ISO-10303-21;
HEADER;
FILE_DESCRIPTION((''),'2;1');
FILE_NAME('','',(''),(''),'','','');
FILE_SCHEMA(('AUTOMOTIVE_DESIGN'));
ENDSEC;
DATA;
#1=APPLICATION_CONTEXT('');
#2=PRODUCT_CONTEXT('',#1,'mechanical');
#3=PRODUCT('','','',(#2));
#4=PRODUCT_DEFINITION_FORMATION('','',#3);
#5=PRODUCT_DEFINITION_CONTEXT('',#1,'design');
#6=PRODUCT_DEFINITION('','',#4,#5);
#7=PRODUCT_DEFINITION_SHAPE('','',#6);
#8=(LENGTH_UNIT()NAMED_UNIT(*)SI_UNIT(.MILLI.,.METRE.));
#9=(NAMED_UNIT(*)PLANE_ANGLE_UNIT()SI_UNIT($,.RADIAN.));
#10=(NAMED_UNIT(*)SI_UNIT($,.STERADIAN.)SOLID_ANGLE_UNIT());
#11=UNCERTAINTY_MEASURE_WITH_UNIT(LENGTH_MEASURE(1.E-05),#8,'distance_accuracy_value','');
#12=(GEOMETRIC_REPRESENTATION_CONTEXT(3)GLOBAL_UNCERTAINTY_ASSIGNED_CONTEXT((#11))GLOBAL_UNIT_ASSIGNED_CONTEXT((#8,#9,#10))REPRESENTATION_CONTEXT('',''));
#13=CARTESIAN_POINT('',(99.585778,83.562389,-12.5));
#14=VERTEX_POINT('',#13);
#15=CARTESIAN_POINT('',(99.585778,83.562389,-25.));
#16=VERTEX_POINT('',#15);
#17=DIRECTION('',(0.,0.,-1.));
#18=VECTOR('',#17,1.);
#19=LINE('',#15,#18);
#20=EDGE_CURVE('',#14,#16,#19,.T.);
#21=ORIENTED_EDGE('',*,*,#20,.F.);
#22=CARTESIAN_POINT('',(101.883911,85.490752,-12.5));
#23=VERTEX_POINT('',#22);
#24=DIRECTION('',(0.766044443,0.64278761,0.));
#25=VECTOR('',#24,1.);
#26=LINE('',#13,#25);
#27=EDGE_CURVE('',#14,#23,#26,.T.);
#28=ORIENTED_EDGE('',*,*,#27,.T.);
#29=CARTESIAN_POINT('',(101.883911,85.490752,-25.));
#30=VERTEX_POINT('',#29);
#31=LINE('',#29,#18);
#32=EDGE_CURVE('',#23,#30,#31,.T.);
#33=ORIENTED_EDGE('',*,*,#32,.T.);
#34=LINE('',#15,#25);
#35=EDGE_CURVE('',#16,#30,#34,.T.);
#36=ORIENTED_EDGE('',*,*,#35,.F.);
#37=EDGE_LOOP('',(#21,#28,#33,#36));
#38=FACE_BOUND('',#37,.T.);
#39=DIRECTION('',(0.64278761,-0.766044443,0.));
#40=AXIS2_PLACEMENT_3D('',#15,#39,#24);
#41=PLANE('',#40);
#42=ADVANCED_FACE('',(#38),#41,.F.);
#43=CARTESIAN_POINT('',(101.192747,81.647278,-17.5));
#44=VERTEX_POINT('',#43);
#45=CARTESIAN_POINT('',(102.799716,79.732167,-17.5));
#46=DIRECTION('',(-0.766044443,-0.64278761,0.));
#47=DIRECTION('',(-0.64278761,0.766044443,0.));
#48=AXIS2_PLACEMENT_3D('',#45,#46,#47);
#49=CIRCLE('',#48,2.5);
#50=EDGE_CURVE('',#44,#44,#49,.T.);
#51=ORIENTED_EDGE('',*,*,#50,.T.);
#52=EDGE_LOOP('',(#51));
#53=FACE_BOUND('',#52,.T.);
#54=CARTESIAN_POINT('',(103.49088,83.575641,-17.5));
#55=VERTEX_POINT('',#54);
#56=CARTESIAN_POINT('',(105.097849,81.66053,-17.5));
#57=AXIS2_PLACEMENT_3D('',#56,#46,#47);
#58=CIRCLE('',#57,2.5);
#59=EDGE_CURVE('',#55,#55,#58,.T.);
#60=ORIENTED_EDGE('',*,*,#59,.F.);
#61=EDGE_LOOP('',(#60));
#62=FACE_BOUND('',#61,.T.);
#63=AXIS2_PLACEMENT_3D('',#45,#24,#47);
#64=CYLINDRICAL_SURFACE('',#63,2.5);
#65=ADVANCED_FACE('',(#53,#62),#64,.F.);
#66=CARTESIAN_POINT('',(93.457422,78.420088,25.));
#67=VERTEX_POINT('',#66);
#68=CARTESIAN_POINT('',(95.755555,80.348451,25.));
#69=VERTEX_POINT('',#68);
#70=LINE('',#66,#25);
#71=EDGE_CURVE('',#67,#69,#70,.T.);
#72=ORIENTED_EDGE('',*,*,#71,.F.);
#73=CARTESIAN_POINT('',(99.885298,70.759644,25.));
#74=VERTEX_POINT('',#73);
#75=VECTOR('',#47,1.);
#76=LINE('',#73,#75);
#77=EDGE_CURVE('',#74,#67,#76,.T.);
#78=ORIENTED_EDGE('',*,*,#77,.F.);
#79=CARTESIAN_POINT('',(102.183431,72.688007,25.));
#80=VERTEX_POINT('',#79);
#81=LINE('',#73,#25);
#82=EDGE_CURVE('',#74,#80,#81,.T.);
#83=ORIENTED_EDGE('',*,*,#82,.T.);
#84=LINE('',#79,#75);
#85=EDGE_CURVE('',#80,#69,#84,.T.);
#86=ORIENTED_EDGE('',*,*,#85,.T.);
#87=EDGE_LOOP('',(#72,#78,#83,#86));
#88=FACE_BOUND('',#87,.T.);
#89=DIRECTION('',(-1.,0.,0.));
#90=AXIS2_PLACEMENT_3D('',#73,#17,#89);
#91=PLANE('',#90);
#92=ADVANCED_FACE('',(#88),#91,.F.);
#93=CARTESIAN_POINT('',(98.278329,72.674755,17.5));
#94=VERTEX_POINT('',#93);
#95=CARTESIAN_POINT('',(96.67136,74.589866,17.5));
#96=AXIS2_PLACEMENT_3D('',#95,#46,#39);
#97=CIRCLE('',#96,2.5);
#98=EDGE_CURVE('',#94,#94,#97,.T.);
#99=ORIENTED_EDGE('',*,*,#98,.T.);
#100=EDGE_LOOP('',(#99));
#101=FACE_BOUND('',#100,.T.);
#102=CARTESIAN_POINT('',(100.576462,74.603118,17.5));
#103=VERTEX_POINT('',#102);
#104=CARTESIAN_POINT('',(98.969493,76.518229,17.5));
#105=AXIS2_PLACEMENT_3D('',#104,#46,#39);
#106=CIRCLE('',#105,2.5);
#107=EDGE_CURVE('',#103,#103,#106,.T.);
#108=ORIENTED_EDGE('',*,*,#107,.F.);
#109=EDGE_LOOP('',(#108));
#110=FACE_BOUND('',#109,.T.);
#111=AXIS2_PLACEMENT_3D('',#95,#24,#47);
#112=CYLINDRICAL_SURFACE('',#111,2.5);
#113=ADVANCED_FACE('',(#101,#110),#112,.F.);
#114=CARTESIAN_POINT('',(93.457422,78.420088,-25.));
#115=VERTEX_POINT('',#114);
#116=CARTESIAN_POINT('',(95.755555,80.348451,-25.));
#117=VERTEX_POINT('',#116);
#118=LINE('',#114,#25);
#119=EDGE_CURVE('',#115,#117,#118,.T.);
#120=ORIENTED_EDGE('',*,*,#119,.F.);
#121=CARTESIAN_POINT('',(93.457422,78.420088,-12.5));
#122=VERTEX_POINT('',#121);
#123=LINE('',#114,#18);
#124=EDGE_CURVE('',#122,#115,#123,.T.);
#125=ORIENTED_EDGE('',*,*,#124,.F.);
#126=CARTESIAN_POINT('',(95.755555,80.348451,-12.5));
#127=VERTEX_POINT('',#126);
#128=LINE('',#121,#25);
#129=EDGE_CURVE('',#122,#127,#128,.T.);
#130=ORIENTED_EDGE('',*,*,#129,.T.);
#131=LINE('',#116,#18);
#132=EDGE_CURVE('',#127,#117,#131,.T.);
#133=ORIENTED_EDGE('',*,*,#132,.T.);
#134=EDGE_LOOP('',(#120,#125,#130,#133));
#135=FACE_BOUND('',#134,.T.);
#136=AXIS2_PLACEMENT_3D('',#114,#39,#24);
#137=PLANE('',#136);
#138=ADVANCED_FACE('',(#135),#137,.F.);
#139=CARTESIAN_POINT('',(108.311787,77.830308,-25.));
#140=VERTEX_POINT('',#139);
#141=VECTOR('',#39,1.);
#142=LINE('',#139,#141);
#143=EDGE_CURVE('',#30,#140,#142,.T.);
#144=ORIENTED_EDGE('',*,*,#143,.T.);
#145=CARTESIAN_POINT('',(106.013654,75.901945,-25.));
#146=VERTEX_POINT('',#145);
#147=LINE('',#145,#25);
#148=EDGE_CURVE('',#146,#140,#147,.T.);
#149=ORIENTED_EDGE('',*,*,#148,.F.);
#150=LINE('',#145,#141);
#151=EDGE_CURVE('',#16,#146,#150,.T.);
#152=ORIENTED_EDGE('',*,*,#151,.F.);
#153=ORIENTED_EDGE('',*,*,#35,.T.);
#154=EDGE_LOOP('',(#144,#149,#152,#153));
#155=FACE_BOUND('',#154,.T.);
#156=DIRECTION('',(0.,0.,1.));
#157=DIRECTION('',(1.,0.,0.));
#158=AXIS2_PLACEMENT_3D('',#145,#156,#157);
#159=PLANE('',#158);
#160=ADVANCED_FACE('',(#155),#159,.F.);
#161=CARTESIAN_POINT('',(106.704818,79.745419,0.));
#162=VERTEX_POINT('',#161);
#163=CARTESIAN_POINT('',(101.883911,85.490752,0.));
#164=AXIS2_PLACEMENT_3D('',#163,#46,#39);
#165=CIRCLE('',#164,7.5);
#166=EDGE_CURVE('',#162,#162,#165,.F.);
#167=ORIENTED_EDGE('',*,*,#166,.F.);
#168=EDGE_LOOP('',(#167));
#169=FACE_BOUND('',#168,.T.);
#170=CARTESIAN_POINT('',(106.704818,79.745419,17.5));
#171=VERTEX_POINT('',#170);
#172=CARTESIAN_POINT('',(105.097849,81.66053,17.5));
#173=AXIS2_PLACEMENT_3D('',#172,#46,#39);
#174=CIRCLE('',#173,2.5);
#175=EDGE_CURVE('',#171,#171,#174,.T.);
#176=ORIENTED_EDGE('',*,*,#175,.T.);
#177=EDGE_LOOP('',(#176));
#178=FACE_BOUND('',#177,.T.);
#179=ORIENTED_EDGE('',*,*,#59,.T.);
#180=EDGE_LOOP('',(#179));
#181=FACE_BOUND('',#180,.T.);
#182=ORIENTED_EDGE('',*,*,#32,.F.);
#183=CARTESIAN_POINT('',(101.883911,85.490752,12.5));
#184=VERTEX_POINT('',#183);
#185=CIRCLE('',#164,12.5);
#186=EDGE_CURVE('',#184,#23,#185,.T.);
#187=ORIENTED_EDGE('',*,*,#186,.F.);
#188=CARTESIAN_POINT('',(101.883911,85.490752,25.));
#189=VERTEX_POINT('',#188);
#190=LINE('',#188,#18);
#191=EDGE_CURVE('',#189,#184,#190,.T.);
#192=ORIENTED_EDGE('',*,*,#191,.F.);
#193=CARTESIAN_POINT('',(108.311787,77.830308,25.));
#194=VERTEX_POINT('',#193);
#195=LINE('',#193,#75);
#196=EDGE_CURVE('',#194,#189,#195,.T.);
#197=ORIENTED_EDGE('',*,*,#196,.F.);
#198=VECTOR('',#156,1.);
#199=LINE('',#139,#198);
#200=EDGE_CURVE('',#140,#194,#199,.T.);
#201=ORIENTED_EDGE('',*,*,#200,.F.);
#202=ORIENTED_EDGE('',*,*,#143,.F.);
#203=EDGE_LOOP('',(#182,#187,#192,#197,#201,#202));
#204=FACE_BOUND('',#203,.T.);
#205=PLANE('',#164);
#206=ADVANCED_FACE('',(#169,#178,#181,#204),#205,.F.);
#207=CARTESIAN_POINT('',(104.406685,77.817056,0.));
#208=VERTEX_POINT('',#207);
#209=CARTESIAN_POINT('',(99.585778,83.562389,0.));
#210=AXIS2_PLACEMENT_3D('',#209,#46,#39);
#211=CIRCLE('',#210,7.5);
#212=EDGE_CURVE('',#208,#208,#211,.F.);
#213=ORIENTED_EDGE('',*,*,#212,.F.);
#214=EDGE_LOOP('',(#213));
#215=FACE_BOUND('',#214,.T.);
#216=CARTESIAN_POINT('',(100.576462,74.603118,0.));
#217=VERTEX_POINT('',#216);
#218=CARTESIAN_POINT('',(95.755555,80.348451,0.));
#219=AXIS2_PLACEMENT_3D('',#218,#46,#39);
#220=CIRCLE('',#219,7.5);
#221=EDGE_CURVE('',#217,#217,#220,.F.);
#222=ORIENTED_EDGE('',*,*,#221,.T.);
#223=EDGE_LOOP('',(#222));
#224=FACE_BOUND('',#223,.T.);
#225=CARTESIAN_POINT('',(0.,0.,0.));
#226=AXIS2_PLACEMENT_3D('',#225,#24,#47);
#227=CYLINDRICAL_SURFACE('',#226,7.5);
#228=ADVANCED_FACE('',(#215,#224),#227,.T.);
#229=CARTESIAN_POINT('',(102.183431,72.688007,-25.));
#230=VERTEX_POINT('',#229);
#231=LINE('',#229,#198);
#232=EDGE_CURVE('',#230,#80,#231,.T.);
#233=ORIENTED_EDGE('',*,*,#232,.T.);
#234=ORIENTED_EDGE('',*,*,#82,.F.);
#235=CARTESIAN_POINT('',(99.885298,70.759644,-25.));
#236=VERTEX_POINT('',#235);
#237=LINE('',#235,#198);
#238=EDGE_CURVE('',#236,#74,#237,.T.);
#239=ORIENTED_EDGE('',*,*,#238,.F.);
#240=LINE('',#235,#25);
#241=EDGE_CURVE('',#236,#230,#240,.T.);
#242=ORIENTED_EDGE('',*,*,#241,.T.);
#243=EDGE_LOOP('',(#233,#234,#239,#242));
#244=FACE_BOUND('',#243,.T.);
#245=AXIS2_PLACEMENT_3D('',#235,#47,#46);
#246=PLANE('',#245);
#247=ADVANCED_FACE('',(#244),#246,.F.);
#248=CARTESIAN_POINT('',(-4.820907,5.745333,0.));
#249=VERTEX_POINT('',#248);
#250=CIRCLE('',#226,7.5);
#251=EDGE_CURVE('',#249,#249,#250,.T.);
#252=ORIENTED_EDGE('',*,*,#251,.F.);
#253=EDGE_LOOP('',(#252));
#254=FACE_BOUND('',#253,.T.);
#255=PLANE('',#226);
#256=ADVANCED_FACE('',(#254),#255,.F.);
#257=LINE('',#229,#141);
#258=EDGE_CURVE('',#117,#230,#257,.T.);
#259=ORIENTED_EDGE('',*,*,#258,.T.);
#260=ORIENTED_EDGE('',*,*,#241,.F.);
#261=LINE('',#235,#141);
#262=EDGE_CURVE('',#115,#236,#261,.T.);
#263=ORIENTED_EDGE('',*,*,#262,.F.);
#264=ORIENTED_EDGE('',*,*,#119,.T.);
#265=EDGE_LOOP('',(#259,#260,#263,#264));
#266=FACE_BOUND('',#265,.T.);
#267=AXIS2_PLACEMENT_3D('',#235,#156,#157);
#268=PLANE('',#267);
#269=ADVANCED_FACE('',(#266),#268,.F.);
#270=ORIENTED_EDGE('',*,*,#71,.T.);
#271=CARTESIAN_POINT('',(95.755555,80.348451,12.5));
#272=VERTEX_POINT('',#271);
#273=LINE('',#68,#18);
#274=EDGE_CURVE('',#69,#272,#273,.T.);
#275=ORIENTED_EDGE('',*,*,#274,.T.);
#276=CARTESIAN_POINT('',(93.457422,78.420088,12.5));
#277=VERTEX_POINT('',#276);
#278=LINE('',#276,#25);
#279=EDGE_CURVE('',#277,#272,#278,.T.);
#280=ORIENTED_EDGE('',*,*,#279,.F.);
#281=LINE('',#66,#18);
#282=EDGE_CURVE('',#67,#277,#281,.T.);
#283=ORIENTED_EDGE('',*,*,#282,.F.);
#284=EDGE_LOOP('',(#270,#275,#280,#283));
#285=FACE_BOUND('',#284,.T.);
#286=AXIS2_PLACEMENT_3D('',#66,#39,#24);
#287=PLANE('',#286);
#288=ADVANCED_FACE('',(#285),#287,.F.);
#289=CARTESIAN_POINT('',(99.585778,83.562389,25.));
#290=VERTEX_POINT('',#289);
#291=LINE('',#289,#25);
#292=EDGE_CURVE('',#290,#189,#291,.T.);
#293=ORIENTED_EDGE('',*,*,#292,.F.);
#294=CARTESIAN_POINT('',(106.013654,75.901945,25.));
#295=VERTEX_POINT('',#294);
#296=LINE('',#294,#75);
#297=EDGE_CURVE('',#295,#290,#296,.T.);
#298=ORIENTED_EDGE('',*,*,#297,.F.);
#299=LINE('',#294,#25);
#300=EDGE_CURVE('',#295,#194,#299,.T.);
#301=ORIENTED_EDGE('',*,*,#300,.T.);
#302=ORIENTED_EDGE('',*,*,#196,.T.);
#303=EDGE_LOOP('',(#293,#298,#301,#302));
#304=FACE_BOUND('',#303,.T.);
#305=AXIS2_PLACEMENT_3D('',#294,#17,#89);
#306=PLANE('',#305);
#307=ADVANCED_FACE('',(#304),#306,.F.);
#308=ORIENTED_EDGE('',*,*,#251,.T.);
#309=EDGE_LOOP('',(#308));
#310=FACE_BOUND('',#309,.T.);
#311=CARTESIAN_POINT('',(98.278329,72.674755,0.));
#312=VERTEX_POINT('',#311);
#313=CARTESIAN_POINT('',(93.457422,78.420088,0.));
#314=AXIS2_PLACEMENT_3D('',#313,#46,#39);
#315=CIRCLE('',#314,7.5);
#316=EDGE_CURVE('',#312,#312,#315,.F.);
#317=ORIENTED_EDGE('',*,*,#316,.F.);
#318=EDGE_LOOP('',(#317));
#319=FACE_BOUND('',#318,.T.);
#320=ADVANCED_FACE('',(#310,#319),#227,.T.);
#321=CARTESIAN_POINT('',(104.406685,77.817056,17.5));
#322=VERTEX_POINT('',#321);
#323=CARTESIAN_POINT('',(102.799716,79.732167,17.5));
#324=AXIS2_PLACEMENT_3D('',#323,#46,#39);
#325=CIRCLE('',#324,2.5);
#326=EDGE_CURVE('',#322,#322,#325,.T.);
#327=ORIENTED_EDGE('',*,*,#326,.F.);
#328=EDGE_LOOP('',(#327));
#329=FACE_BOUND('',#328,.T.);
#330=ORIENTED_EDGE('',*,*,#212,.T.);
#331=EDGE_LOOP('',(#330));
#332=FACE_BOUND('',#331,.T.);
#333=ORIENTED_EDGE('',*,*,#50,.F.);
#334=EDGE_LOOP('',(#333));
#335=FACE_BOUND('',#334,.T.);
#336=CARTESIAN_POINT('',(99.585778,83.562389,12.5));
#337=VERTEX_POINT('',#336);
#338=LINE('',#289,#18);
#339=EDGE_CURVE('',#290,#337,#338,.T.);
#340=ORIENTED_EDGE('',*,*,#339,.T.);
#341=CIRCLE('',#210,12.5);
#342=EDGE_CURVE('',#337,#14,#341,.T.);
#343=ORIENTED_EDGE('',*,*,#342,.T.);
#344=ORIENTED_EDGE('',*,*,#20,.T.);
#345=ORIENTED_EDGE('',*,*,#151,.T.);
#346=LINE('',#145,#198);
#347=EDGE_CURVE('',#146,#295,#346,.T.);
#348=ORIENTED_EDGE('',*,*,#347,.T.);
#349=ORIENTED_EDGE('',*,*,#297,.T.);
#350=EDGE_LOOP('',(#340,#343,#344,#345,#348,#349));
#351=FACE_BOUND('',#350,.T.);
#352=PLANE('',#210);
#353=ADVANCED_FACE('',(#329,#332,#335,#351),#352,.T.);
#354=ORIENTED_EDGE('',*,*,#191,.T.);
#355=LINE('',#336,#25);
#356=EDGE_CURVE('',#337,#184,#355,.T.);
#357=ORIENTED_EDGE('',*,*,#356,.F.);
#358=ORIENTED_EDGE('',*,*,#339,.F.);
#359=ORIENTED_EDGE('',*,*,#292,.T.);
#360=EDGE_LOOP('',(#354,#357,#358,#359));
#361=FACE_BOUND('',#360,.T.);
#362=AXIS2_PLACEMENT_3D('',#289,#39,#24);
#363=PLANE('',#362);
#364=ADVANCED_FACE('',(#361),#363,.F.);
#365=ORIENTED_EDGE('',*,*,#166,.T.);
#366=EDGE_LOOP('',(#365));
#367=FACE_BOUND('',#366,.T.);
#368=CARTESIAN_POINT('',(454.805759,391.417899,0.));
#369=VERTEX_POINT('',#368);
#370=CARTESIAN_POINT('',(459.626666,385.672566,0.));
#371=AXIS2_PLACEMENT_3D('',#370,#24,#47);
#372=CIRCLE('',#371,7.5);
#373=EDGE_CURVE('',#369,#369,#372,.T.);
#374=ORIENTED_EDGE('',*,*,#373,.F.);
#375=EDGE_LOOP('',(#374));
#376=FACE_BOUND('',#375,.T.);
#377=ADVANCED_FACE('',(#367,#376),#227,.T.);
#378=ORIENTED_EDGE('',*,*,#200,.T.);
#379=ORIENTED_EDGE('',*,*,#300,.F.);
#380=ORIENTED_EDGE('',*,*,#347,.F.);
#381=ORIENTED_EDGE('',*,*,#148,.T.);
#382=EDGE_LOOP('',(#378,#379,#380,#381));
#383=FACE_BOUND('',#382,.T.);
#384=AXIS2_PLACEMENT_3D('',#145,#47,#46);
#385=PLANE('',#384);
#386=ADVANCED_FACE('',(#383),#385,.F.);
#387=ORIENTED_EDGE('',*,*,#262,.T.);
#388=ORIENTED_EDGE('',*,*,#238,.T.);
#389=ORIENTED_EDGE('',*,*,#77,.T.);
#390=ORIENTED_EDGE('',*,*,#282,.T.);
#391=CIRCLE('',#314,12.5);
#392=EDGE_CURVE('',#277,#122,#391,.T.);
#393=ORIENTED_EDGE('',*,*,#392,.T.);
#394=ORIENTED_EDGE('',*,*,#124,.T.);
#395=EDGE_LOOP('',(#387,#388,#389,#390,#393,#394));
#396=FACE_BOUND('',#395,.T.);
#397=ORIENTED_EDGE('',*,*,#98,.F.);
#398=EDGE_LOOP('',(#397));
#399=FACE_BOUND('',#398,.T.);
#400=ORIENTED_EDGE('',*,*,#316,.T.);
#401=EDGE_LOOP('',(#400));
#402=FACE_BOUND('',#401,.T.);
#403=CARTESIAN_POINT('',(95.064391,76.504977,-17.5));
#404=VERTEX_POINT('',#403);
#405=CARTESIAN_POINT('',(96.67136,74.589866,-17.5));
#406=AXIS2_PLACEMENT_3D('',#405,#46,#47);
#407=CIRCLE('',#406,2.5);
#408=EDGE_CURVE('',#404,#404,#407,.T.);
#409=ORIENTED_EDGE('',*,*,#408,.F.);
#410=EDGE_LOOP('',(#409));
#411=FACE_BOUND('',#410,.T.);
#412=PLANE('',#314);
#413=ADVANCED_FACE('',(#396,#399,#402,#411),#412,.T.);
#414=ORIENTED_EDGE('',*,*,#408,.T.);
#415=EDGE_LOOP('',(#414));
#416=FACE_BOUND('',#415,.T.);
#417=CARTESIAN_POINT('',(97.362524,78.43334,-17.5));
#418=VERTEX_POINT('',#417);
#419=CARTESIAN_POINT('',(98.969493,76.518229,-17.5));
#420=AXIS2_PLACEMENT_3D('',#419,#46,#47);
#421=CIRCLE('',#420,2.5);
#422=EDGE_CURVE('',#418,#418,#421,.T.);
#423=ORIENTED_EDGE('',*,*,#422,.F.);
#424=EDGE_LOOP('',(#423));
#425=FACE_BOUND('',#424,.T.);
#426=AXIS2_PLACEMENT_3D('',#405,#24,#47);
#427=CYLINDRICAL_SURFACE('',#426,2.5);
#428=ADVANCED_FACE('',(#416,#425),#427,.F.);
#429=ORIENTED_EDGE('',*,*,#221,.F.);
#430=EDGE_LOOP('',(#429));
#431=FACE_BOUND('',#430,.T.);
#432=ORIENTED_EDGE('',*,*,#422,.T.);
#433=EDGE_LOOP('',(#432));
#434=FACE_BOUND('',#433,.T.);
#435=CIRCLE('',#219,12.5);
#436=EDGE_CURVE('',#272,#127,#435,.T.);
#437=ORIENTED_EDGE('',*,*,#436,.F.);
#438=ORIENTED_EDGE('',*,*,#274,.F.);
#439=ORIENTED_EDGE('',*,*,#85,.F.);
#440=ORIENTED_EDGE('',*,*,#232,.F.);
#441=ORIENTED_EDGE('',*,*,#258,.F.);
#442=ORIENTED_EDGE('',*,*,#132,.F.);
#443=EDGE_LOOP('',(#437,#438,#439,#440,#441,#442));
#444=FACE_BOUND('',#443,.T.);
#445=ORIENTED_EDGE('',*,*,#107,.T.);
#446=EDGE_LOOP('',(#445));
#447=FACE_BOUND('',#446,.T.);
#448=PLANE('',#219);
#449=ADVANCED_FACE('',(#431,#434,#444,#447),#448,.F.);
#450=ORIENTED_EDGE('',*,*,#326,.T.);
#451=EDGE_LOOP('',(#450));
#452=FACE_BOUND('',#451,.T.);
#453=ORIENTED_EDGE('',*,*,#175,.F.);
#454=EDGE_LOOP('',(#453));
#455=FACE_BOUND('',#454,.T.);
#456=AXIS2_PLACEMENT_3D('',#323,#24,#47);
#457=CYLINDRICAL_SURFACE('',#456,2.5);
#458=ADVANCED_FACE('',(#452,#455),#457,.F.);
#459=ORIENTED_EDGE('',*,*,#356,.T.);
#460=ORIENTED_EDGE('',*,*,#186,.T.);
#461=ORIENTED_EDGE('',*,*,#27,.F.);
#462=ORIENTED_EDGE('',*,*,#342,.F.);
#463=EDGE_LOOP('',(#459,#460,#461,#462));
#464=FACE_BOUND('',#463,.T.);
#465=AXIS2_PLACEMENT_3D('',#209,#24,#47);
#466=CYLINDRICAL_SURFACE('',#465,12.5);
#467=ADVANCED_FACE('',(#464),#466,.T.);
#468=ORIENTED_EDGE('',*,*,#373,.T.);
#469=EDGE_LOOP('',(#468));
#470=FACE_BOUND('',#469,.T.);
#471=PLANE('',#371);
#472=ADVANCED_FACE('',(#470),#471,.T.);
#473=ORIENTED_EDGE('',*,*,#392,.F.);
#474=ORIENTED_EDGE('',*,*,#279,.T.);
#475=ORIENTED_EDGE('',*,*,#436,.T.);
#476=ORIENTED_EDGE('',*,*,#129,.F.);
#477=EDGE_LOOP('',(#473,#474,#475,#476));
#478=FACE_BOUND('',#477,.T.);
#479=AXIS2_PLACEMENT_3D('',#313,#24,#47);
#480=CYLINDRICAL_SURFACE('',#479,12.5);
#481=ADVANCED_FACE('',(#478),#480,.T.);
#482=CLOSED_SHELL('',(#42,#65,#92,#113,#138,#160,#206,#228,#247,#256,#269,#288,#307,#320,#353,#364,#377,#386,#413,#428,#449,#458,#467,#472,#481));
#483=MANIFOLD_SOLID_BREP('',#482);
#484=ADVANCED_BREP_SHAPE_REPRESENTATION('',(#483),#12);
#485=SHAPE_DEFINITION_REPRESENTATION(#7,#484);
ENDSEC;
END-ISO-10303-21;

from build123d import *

# Parameters (mm, degrees)
S_P_R1_PROFILE_R            = 7.5
Y_KSEKLIK_EKSTR_ZYON1_START = -125
IZIM8_R                     = 2.5
Y_KSEKLIK_EKSTR_ZYON1_DEPTH = 3
Y_KSEKLIK_EKSTR_ZYON2_START = -133
IZIM8_3_R                   = 2.5
Y_KSEKLIK_EKSTR_ZYON2_DEPTH = 3


with BuildPart() as part:
    # Süpür1: sweep along a path in Çizim1
    with BuildLine(Plane.XY) as s_p_r1_path:
        Line((0, 0), (459.626665871, 385.672565812))
    # Süpür1 profile (on start of the path) → Süpür1 (sweep)
    with BuildSketch(Plane(origin=(0, 0, 0), x_dir=(-0.642787609686541, 0.7660444431189767, 0), z_dir=(0.7660444431189767, 0.642787609686541, 0))):
        Circle(S_P_R1_PROFILE_R)
    sweep(path=s_p_r1_path.line)

    # Çizim8 → Yükseklik-Ekstrüzyon1 (add)
    with BuildSketch(Plane(origin=(0, 0, 0), x_dir=(0, 0, 1), z_dir=(-0.7660444431189768, -0.642787609686541, 0)).offset(Y_KSEKLIK_EKSTR_ZYON1_START)):
        with BuildLine():
            Line((-25, -10), (25, -10))
            Line((25, -10), (25, 0))
            Line((25, 0), (12.5, 0))
            ThreePointArc((12.5, 0), (0, 12.5), (-12.5, 0))
            Line((-12.5, 0), (-25, 0))
            Line((-25, 0), (-25, -10))
        make_face()
        with Locations((17.5, -5)):
            Circle(IZIM8_R, mode=Mode.SUBTRACT)
        with Locations((-17.5, -5)):
            Circle(IZIM8_R, mode=Mode.SUBTRACT)
    extrude(amount=Y_KSEKLIK_EKSTR_ZYON1_DEPTH)

    # Çizim8<3> → Yükseklik-Ekstrüzyon2 (add)
    with BuildSketch(Plane(origin=(0, 0, 0), x_dir=(0, 0, 1), z_dir=(-0.7660444431189768, -0.642787609686541, 0)).offset(Y_KSEKLIK_EKSTR_ZYON2_START)):
        with BuildLine():
            Line((-25, -10), (25, -10))
            Line((25, -10), (25, 0))
            Line((25, 0), (12.5, 0))
            ThreePointArc((12.5, 0), (0, 12.5), (-12.5, 0))
            Line((-12.5, 0), (-25, 0))
            Line((-25, 0), (-25, -10))
        make_face()
        with Locations((17.5, -5)):
            Circle(IZIM8_3_R, mode=Mode.SUBTRACT)
        with Locations((-17.5, -5)):
            Circle(IZIM8_3_R, mode=Mode.SUBTRACT)
    extrude(amount=Y_KSEKLIK_EKSTR_ZYON2_DEPTH)


solid = part.part
